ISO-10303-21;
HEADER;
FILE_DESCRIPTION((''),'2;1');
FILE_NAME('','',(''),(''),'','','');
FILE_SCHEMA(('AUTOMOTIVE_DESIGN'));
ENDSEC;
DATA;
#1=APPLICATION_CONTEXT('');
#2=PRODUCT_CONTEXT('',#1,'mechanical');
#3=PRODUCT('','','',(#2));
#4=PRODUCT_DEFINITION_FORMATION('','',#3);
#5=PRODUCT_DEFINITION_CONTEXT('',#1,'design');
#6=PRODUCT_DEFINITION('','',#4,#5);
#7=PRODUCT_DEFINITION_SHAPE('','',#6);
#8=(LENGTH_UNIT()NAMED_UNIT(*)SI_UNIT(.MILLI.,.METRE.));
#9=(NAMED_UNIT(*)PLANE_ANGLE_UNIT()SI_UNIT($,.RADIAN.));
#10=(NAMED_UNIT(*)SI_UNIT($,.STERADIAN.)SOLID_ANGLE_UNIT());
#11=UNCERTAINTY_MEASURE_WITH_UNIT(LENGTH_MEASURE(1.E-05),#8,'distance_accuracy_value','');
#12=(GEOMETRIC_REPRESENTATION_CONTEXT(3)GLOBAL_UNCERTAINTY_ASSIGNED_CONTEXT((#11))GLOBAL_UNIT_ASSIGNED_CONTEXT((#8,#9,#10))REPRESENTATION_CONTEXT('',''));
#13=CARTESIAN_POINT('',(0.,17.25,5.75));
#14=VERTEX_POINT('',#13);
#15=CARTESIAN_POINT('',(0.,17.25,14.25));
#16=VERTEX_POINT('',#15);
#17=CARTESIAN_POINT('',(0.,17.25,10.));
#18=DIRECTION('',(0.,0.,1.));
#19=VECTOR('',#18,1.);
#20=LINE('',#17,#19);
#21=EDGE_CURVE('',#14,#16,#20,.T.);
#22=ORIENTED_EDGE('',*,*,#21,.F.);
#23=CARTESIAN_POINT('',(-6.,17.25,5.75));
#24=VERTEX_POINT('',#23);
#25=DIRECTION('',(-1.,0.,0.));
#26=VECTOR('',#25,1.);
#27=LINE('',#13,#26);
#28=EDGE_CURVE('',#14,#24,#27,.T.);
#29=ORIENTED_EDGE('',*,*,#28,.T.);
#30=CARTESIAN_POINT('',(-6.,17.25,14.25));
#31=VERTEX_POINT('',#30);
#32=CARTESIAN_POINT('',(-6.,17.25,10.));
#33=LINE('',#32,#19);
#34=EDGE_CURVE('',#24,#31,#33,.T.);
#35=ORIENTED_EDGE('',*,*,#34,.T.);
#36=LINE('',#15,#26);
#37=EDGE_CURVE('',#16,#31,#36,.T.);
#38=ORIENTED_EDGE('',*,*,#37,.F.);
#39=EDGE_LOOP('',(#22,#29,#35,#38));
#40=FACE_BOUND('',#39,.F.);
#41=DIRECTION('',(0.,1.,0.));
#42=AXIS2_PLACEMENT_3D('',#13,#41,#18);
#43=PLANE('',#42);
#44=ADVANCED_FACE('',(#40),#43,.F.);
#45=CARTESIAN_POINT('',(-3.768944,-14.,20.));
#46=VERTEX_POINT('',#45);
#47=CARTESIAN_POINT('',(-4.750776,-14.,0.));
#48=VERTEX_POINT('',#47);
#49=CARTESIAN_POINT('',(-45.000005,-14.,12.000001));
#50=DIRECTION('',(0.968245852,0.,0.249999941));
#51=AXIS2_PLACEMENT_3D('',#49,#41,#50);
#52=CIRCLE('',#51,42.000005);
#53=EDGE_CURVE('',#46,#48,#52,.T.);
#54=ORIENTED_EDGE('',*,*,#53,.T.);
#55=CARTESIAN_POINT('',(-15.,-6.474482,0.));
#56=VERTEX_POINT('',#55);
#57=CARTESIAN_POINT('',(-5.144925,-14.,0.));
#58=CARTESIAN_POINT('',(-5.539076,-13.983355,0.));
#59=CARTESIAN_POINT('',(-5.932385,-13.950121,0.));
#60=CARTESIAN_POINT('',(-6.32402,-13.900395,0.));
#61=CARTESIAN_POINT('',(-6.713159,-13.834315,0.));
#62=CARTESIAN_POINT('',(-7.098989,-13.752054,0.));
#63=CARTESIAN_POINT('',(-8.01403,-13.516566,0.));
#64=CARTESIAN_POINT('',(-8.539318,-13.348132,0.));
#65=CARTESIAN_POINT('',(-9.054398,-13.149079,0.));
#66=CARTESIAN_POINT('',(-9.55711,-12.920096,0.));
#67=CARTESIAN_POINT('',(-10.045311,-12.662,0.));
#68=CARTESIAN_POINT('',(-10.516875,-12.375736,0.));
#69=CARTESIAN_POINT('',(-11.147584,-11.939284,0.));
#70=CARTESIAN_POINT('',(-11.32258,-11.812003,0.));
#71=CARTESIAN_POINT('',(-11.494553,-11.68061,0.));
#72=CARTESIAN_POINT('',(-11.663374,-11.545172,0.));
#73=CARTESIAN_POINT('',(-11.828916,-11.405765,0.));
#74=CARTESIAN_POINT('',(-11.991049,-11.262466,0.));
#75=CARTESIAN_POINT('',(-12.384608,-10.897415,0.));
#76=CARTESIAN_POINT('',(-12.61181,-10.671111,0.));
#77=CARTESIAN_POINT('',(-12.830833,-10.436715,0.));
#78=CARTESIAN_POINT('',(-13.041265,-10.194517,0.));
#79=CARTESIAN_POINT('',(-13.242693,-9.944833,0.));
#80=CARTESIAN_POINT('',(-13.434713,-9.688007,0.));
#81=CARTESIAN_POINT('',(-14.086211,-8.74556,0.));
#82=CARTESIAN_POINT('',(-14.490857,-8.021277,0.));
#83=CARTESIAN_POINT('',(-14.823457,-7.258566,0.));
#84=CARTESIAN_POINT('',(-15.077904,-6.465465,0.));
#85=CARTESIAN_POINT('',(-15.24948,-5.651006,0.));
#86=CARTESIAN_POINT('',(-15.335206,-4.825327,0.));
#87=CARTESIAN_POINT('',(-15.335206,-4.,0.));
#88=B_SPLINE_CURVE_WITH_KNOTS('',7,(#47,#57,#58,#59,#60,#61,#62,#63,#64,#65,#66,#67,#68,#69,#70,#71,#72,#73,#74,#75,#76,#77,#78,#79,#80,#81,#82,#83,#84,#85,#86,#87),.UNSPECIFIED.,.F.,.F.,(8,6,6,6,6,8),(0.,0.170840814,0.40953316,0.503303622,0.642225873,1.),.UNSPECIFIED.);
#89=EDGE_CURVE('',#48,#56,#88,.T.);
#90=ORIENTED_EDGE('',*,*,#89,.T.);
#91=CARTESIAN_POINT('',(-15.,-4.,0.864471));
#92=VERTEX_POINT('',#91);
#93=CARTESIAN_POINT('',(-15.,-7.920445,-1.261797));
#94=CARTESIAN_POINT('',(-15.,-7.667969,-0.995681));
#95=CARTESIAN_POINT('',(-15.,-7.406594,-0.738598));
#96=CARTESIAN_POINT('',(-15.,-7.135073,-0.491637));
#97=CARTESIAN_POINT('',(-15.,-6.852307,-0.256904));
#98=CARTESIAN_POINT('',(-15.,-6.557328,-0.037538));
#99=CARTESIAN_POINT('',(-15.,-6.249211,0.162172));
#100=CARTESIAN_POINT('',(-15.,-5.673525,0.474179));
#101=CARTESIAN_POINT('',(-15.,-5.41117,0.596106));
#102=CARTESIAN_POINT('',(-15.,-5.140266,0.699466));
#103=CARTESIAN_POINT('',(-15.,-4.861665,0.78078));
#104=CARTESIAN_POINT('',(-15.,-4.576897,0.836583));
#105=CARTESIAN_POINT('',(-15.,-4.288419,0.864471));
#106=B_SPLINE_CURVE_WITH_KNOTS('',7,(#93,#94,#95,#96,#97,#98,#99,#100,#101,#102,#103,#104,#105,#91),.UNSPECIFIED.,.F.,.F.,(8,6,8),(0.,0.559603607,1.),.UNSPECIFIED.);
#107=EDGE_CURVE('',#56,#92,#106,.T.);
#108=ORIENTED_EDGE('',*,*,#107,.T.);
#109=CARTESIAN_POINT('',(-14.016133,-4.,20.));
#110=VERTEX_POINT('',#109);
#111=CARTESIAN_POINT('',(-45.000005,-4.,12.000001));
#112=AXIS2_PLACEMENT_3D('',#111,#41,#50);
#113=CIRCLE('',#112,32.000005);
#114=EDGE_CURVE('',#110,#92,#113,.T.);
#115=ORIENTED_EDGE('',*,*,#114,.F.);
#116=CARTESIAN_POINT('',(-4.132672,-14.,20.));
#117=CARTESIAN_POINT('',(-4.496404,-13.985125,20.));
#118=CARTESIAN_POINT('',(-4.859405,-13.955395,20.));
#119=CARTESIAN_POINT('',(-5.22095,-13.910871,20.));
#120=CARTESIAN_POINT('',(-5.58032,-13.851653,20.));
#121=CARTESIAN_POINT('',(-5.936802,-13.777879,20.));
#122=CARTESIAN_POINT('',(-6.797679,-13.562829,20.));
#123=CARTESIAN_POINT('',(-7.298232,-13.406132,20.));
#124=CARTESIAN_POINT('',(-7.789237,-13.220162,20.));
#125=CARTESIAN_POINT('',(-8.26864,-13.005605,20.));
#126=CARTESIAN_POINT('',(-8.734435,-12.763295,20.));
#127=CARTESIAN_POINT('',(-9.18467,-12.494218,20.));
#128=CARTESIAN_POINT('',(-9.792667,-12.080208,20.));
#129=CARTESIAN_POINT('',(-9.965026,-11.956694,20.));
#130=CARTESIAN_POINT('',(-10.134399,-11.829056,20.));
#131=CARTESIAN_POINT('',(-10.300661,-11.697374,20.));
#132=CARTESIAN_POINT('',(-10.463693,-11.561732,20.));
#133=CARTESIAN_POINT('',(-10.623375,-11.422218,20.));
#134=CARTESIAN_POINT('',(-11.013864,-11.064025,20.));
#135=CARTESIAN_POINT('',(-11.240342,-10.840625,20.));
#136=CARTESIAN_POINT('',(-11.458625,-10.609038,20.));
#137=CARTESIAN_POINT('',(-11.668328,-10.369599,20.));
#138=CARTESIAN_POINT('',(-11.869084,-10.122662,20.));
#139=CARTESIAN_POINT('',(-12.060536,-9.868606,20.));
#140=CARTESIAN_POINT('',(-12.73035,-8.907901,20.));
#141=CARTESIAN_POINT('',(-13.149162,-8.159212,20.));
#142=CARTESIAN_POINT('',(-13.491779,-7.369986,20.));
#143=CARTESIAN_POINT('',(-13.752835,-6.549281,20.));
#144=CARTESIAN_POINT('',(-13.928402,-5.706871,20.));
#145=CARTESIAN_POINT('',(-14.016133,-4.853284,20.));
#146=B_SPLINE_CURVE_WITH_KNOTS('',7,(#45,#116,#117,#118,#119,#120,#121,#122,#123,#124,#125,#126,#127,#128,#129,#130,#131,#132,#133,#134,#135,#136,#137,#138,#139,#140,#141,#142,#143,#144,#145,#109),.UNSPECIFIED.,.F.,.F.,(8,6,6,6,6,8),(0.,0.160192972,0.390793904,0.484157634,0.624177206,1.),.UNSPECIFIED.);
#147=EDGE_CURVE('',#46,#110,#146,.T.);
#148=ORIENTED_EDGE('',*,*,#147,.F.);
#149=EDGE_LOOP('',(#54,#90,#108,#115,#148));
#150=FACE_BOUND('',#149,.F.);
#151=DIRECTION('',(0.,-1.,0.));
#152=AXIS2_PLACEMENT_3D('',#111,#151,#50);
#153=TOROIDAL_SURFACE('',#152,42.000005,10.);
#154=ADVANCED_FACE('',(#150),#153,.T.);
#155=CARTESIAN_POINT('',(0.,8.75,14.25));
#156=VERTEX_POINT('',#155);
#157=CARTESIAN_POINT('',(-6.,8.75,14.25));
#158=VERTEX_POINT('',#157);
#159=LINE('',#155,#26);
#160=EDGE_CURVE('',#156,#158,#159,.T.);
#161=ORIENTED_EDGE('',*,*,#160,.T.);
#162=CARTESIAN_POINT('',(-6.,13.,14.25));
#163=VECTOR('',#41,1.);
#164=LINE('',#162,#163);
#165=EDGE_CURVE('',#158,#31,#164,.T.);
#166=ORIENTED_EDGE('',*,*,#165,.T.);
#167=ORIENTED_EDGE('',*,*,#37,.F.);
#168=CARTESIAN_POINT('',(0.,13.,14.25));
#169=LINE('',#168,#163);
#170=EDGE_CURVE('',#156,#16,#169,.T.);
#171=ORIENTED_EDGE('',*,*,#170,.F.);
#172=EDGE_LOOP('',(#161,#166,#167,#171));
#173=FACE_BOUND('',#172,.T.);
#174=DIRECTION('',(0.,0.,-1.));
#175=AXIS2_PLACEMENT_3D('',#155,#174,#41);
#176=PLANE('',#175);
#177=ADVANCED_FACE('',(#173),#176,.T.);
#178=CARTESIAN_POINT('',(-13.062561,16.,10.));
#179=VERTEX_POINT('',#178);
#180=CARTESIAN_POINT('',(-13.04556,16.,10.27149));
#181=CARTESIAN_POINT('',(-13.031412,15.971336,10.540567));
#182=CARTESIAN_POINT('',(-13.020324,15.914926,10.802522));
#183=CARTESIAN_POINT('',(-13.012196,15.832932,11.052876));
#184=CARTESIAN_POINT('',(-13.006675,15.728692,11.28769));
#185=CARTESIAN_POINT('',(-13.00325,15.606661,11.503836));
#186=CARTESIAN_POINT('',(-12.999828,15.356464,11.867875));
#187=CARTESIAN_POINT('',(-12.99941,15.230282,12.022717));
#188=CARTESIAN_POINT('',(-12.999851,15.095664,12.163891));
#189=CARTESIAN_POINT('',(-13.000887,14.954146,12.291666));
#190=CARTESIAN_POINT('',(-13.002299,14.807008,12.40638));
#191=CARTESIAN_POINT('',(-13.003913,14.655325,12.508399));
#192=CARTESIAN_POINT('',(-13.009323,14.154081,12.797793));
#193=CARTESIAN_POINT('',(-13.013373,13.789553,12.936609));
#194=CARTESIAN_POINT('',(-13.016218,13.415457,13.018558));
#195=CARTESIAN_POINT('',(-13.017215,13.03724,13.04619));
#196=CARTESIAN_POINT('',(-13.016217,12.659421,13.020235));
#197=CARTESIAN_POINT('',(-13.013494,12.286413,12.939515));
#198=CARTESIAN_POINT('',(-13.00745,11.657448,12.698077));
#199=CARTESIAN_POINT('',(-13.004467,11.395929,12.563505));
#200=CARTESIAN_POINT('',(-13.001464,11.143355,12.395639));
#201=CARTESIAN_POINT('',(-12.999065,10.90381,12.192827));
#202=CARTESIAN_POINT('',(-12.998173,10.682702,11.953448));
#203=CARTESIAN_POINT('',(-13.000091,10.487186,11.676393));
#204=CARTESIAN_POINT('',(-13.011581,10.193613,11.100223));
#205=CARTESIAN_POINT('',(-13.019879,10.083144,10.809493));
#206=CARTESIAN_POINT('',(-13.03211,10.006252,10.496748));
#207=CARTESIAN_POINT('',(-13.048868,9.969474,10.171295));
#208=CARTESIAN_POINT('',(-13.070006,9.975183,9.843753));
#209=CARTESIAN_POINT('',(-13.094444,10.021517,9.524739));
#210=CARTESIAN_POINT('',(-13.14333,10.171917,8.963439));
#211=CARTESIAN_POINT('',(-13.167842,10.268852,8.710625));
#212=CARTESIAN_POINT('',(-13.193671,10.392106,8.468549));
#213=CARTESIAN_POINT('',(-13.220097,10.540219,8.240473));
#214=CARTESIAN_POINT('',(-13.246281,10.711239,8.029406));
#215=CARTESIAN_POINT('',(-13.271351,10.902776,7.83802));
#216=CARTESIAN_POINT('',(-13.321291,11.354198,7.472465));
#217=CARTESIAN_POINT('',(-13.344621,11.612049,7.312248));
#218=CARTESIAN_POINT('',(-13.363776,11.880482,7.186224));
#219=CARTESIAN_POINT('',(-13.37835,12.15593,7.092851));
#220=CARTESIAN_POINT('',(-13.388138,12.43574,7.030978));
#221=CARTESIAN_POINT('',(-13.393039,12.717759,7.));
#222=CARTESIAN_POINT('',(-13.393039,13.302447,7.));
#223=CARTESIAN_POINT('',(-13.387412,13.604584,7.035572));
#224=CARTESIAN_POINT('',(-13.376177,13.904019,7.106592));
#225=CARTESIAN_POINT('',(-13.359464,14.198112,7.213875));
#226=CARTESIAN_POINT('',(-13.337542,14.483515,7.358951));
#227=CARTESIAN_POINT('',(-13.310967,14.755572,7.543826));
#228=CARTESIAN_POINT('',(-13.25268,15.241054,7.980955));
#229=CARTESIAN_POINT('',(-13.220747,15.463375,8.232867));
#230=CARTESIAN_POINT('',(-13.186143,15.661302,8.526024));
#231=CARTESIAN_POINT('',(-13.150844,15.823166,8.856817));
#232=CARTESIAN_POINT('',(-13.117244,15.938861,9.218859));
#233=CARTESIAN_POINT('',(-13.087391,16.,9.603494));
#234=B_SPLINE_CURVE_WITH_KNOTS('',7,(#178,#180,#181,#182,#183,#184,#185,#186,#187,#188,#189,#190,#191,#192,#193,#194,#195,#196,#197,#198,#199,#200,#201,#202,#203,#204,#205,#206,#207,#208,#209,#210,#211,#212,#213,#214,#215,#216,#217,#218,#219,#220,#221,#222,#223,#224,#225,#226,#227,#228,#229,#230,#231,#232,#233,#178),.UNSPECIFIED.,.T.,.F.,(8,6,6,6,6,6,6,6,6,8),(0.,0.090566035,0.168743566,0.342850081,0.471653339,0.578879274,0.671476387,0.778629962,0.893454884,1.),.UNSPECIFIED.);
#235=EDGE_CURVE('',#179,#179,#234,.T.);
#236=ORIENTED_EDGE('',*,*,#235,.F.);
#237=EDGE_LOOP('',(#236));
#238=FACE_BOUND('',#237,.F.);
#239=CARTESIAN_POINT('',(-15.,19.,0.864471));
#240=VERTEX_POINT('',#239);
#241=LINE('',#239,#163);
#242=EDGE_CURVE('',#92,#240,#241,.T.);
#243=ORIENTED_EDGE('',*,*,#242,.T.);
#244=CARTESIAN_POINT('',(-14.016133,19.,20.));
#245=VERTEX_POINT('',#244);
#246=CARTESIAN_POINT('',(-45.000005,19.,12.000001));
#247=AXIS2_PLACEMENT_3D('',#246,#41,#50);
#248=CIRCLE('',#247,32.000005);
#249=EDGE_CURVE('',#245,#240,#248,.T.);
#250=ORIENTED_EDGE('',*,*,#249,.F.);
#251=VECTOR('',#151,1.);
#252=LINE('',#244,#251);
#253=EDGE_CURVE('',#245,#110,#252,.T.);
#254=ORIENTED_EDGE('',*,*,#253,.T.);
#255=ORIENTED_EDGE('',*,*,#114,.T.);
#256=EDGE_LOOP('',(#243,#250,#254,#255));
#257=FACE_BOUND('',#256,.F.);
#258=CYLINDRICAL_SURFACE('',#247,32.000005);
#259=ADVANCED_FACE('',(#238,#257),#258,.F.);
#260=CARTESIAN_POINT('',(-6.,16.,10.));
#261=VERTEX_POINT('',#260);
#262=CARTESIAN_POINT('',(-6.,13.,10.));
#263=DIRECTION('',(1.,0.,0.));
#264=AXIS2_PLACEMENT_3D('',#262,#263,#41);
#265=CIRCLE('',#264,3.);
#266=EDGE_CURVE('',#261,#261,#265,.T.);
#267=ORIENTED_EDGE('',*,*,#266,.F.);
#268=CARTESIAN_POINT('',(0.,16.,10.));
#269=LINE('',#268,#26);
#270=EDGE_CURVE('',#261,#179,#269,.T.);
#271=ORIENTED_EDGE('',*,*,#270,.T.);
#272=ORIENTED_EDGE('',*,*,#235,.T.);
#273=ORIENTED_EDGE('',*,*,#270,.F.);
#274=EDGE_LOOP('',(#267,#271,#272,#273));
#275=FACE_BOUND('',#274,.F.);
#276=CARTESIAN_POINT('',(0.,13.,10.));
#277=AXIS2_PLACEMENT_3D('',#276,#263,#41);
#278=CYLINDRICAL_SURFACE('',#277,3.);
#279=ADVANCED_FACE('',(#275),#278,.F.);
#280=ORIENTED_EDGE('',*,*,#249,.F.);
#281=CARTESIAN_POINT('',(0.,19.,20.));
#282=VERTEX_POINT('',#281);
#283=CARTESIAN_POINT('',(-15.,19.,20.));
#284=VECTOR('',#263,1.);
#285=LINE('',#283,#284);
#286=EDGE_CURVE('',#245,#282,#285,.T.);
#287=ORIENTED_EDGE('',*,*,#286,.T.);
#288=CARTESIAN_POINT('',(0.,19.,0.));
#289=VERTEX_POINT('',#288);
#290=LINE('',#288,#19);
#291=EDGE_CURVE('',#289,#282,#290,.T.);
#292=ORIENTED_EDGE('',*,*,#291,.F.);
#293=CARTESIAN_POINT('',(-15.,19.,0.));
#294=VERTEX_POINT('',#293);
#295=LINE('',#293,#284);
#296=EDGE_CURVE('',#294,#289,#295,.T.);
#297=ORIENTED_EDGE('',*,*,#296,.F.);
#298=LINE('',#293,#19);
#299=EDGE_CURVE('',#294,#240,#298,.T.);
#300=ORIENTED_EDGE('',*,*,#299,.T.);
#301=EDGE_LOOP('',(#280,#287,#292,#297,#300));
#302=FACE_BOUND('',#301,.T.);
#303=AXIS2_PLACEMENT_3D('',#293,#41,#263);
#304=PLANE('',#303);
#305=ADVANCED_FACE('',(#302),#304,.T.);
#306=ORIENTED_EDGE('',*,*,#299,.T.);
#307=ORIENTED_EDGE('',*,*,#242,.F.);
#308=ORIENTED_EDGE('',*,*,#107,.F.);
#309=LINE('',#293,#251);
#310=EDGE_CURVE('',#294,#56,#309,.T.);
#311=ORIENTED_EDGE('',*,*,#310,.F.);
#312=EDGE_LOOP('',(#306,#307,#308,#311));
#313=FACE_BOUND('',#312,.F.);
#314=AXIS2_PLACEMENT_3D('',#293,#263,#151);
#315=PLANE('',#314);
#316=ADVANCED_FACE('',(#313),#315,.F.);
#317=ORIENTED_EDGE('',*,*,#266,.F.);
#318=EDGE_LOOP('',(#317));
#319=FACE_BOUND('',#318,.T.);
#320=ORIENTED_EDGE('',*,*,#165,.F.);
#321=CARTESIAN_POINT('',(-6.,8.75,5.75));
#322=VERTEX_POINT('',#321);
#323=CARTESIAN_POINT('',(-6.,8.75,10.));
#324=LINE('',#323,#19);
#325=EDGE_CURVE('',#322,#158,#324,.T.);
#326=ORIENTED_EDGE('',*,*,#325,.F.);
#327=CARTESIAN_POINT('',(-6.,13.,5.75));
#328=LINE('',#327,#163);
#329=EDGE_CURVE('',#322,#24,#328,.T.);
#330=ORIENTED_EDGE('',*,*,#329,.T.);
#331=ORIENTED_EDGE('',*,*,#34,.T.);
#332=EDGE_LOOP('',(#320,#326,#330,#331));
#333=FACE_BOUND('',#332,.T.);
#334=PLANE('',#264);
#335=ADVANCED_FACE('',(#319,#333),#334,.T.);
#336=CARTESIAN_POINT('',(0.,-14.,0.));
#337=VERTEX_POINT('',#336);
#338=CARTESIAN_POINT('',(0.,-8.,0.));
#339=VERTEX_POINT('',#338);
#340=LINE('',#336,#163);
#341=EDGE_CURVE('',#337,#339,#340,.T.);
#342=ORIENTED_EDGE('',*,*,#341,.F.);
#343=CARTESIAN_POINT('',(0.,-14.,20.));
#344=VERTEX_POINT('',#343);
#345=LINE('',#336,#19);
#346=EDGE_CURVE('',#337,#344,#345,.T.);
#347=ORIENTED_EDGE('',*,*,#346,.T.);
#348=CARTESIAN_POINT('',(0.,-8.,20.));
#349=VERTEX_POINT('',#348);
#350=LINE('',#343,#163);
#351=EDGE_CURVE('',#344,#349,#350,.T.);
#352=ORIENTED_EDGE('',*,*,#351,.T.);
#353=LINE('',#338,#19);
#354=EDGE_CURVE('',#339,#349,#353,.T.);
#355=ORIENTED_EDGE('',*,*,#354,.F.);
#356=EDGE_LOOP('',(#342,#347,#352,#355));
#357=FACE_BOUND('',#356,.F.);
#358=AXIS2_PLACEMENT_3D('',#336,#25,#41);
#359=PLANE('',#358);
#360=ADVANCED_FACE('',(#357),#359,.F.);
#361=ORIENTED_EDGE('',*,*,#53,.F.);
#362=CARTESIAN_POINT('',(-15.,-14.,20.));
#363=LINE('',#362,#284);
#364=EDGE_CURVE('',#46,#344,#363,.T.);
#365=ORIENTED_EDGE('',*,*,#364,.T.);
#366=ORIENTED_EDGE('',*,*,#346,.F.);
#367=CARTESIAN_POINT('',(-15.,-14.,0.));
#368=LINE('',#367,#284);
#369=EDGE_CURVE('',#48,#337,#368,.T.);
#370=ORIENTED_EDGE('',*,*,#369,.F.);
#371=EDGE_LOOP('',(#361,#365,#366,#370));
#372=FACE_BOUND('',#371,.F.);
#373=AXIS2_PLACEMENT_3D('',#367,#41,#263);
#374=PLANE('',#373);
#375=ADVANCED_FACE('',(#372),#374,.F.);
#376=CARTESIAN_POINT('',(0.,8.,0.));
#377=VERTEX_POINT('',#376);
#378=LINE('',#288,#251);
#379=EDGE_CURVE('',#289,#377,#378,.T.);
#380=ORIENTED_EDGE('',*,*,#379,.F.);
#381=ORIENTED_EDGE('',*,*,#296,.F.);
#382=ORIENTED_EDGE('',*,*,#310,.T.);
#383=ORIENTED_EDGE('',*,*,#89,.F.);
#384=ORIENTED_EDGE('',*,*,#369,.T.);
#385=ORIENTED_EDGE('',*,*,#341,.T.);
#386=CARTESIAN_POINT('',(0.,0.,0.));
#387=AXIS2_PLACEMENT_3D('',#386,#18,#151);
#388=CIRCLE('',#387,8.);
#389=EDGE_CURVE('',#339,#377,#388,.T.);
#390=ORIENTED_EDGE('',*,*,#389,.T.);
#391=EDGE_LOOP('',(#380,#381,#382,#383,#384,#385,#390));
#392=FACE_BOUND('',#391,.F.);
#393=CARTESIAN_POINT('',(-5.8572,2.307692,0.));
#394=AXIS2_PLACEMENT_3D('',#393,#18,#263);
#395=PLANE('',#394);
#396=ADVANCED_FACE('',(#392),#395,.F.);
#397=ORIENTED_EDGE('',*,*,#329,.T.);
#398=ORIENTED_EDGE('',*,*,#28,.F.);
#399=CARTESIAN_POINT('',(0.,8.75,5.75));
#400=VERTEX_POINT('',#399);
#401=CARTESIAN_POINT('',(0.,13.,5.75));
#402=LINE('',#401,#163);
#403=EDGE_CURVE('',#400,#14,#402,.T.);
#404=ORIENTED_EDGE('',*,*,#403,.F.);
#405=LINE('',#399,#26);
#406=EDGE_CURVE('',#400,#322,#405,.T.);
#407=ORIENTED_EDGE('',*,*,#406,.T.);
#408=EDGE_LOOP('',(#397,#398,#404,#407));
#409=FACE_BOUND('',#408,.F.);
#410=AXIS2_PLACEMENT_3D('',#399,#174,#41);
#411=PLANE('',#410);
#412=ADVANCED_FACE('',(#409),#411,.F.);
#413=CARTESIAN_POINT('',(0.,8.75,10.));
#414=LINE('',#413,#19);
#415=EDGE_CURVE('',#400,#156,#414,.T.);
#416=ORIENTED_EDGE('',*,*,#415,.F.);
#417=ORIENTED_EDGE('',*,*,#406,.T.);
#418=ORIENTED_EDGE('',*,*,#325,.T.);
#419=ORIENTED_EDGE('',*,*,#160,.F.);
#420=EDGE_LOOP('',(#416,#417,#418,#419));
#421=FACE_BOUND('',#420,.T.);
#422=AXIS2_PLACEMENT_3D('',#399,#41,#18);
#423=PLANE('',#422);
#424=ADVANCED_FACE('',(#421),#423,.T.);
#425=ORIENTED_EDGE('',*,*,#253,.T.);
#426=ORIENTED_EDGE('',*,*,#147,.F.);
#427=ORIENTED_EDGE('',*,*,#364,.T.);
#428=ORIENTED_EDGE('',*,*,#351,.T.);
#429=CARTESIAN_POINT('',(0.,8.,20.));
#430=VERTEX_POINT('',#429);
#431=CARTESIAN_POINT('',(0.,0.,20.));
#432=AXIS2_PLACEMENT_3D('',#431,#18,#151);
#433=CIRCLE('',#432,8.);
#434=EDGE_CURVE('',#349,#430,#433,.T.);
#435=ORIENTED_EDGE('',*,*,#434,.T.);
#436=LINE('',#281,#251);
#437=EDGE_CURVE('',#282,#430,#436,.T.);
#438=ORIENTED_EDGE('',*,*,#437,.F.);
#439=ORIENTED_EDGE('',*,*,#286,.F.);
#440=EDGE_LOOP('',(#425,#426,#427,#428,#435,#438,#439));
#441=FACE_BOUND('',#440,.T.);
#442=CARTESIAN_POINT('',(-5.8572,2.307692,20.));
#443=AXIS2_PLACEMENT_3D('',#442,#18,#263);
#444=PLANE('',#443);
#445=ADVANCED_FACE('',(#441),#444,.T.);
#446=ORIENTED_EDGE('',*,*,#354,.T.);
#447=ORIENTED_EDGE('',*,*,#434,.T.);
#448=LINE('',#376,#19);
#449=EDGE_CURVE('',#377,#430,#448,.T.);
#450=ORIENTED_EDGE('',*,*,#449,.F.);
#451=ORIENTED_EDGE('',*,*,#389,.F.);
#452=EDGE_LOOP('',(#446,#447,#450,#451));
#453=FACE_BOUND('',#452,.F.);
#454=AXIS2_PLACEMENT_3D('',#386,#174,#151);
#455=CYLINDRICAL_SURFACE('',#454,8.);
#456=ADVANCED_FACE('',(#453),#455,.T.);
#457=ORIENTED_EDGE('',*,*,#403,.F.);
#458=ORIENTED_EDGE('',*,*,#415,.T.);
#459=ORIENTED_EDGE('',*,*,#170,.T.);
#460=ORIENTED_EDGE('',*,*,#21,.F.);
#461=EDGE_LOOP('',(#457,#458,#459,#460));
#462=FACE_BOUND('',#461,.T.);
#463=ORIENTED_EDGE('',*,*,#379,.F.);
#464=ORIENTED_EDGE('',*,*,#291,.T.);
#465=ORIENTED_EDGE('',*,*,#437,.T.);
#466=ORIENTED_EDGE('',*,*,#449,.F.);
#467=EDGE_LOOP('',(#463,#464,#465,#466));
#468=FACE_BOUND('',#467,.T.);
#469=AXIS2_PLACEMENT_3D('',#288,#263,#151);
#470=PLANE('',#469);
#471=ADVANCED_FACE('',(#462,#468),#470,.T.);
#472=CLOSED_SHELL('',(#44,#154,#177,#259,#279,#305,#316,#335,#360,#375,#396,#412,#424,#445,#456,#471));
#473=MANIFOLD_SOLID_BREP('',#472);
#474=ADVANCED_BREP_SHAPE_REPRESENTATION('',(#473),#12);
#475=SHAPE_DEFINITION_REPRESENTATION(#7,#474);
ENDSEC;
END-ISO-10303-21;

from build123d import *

# Parameters (mm, degrees)
PAD_DEPTH       = 20
POCKET_DEPTH    = 33.001
SKETCH002_W     = 8.5
SKETCH002_H     = 8.5
POCKET001_DEPTH = 6
SKETCH003_R     = 3
POCKET002_DEPTH = 15.001
FILLET_R        = 10


with BuildPart() as part:
    # Sketch → Pad (new body)
    with BuildSketch(Plane.XY):
        with BuildLine():
            Line((-15, -14), (0, -14))
            Line((0, -14), (0, -8))
            ThreePointArc((0, -8), (8, 0), (0, 8))
            Line((0, 19), (0, 8))
            Line((-15, 19), (0, 19))
            Line((-15, 19), (-15, -14))
        make_face()
    extrude(amount=PAD_DEPTH)

    # Sketch001 → Pocket (cut, through all)
    with BuildSketch(Plane(origin=(0, 19, 0), x_dir=(-1, 0, 0), z_dir=(0, 1, 0))):
        with BuildLine():
            Line((19.016133, 20), (19.016133, 0))
            Line((19.016133, 0), (15.335206, 0))
            ThreePointArc((14.016133, 20), (13.069372, 9.894059), (15.335206, 0))
            Line((19.016133, 20), (14.016133, 20))
        make_face()
    extrude(amount=-POCKET_DEPTH, mode=Mode.SUBTRACT)

    # Sketch002 → Pocket001 (cut)
    with BuildSketch(Plane.YZ):
        with Locations((13, 10)):
            Rectangle(SKETCH002_W, SKETCH002_H)
    extrude(amount=-POCKET001_DEPTH, mode=Mode.SUBTRACT)

    # Sketch003 → Pocket002 (cut, through all)
    with BuildSketch(Plane.YZ):
        with Locations((13, 10)):
            Circle(SKETCH003_R)
    extrude(amount=-POCKET002_DEPTH, mode=Mode.SUBTRACT)

    # Fillet
    fillet_edges = [part.edges().sort_by_distance(p)[0] for p in [
        (-13.042214, -14, 10.356868),
    ]]
    fillet(fillet_edges, radius=FILLET_R)


solid = part.part
